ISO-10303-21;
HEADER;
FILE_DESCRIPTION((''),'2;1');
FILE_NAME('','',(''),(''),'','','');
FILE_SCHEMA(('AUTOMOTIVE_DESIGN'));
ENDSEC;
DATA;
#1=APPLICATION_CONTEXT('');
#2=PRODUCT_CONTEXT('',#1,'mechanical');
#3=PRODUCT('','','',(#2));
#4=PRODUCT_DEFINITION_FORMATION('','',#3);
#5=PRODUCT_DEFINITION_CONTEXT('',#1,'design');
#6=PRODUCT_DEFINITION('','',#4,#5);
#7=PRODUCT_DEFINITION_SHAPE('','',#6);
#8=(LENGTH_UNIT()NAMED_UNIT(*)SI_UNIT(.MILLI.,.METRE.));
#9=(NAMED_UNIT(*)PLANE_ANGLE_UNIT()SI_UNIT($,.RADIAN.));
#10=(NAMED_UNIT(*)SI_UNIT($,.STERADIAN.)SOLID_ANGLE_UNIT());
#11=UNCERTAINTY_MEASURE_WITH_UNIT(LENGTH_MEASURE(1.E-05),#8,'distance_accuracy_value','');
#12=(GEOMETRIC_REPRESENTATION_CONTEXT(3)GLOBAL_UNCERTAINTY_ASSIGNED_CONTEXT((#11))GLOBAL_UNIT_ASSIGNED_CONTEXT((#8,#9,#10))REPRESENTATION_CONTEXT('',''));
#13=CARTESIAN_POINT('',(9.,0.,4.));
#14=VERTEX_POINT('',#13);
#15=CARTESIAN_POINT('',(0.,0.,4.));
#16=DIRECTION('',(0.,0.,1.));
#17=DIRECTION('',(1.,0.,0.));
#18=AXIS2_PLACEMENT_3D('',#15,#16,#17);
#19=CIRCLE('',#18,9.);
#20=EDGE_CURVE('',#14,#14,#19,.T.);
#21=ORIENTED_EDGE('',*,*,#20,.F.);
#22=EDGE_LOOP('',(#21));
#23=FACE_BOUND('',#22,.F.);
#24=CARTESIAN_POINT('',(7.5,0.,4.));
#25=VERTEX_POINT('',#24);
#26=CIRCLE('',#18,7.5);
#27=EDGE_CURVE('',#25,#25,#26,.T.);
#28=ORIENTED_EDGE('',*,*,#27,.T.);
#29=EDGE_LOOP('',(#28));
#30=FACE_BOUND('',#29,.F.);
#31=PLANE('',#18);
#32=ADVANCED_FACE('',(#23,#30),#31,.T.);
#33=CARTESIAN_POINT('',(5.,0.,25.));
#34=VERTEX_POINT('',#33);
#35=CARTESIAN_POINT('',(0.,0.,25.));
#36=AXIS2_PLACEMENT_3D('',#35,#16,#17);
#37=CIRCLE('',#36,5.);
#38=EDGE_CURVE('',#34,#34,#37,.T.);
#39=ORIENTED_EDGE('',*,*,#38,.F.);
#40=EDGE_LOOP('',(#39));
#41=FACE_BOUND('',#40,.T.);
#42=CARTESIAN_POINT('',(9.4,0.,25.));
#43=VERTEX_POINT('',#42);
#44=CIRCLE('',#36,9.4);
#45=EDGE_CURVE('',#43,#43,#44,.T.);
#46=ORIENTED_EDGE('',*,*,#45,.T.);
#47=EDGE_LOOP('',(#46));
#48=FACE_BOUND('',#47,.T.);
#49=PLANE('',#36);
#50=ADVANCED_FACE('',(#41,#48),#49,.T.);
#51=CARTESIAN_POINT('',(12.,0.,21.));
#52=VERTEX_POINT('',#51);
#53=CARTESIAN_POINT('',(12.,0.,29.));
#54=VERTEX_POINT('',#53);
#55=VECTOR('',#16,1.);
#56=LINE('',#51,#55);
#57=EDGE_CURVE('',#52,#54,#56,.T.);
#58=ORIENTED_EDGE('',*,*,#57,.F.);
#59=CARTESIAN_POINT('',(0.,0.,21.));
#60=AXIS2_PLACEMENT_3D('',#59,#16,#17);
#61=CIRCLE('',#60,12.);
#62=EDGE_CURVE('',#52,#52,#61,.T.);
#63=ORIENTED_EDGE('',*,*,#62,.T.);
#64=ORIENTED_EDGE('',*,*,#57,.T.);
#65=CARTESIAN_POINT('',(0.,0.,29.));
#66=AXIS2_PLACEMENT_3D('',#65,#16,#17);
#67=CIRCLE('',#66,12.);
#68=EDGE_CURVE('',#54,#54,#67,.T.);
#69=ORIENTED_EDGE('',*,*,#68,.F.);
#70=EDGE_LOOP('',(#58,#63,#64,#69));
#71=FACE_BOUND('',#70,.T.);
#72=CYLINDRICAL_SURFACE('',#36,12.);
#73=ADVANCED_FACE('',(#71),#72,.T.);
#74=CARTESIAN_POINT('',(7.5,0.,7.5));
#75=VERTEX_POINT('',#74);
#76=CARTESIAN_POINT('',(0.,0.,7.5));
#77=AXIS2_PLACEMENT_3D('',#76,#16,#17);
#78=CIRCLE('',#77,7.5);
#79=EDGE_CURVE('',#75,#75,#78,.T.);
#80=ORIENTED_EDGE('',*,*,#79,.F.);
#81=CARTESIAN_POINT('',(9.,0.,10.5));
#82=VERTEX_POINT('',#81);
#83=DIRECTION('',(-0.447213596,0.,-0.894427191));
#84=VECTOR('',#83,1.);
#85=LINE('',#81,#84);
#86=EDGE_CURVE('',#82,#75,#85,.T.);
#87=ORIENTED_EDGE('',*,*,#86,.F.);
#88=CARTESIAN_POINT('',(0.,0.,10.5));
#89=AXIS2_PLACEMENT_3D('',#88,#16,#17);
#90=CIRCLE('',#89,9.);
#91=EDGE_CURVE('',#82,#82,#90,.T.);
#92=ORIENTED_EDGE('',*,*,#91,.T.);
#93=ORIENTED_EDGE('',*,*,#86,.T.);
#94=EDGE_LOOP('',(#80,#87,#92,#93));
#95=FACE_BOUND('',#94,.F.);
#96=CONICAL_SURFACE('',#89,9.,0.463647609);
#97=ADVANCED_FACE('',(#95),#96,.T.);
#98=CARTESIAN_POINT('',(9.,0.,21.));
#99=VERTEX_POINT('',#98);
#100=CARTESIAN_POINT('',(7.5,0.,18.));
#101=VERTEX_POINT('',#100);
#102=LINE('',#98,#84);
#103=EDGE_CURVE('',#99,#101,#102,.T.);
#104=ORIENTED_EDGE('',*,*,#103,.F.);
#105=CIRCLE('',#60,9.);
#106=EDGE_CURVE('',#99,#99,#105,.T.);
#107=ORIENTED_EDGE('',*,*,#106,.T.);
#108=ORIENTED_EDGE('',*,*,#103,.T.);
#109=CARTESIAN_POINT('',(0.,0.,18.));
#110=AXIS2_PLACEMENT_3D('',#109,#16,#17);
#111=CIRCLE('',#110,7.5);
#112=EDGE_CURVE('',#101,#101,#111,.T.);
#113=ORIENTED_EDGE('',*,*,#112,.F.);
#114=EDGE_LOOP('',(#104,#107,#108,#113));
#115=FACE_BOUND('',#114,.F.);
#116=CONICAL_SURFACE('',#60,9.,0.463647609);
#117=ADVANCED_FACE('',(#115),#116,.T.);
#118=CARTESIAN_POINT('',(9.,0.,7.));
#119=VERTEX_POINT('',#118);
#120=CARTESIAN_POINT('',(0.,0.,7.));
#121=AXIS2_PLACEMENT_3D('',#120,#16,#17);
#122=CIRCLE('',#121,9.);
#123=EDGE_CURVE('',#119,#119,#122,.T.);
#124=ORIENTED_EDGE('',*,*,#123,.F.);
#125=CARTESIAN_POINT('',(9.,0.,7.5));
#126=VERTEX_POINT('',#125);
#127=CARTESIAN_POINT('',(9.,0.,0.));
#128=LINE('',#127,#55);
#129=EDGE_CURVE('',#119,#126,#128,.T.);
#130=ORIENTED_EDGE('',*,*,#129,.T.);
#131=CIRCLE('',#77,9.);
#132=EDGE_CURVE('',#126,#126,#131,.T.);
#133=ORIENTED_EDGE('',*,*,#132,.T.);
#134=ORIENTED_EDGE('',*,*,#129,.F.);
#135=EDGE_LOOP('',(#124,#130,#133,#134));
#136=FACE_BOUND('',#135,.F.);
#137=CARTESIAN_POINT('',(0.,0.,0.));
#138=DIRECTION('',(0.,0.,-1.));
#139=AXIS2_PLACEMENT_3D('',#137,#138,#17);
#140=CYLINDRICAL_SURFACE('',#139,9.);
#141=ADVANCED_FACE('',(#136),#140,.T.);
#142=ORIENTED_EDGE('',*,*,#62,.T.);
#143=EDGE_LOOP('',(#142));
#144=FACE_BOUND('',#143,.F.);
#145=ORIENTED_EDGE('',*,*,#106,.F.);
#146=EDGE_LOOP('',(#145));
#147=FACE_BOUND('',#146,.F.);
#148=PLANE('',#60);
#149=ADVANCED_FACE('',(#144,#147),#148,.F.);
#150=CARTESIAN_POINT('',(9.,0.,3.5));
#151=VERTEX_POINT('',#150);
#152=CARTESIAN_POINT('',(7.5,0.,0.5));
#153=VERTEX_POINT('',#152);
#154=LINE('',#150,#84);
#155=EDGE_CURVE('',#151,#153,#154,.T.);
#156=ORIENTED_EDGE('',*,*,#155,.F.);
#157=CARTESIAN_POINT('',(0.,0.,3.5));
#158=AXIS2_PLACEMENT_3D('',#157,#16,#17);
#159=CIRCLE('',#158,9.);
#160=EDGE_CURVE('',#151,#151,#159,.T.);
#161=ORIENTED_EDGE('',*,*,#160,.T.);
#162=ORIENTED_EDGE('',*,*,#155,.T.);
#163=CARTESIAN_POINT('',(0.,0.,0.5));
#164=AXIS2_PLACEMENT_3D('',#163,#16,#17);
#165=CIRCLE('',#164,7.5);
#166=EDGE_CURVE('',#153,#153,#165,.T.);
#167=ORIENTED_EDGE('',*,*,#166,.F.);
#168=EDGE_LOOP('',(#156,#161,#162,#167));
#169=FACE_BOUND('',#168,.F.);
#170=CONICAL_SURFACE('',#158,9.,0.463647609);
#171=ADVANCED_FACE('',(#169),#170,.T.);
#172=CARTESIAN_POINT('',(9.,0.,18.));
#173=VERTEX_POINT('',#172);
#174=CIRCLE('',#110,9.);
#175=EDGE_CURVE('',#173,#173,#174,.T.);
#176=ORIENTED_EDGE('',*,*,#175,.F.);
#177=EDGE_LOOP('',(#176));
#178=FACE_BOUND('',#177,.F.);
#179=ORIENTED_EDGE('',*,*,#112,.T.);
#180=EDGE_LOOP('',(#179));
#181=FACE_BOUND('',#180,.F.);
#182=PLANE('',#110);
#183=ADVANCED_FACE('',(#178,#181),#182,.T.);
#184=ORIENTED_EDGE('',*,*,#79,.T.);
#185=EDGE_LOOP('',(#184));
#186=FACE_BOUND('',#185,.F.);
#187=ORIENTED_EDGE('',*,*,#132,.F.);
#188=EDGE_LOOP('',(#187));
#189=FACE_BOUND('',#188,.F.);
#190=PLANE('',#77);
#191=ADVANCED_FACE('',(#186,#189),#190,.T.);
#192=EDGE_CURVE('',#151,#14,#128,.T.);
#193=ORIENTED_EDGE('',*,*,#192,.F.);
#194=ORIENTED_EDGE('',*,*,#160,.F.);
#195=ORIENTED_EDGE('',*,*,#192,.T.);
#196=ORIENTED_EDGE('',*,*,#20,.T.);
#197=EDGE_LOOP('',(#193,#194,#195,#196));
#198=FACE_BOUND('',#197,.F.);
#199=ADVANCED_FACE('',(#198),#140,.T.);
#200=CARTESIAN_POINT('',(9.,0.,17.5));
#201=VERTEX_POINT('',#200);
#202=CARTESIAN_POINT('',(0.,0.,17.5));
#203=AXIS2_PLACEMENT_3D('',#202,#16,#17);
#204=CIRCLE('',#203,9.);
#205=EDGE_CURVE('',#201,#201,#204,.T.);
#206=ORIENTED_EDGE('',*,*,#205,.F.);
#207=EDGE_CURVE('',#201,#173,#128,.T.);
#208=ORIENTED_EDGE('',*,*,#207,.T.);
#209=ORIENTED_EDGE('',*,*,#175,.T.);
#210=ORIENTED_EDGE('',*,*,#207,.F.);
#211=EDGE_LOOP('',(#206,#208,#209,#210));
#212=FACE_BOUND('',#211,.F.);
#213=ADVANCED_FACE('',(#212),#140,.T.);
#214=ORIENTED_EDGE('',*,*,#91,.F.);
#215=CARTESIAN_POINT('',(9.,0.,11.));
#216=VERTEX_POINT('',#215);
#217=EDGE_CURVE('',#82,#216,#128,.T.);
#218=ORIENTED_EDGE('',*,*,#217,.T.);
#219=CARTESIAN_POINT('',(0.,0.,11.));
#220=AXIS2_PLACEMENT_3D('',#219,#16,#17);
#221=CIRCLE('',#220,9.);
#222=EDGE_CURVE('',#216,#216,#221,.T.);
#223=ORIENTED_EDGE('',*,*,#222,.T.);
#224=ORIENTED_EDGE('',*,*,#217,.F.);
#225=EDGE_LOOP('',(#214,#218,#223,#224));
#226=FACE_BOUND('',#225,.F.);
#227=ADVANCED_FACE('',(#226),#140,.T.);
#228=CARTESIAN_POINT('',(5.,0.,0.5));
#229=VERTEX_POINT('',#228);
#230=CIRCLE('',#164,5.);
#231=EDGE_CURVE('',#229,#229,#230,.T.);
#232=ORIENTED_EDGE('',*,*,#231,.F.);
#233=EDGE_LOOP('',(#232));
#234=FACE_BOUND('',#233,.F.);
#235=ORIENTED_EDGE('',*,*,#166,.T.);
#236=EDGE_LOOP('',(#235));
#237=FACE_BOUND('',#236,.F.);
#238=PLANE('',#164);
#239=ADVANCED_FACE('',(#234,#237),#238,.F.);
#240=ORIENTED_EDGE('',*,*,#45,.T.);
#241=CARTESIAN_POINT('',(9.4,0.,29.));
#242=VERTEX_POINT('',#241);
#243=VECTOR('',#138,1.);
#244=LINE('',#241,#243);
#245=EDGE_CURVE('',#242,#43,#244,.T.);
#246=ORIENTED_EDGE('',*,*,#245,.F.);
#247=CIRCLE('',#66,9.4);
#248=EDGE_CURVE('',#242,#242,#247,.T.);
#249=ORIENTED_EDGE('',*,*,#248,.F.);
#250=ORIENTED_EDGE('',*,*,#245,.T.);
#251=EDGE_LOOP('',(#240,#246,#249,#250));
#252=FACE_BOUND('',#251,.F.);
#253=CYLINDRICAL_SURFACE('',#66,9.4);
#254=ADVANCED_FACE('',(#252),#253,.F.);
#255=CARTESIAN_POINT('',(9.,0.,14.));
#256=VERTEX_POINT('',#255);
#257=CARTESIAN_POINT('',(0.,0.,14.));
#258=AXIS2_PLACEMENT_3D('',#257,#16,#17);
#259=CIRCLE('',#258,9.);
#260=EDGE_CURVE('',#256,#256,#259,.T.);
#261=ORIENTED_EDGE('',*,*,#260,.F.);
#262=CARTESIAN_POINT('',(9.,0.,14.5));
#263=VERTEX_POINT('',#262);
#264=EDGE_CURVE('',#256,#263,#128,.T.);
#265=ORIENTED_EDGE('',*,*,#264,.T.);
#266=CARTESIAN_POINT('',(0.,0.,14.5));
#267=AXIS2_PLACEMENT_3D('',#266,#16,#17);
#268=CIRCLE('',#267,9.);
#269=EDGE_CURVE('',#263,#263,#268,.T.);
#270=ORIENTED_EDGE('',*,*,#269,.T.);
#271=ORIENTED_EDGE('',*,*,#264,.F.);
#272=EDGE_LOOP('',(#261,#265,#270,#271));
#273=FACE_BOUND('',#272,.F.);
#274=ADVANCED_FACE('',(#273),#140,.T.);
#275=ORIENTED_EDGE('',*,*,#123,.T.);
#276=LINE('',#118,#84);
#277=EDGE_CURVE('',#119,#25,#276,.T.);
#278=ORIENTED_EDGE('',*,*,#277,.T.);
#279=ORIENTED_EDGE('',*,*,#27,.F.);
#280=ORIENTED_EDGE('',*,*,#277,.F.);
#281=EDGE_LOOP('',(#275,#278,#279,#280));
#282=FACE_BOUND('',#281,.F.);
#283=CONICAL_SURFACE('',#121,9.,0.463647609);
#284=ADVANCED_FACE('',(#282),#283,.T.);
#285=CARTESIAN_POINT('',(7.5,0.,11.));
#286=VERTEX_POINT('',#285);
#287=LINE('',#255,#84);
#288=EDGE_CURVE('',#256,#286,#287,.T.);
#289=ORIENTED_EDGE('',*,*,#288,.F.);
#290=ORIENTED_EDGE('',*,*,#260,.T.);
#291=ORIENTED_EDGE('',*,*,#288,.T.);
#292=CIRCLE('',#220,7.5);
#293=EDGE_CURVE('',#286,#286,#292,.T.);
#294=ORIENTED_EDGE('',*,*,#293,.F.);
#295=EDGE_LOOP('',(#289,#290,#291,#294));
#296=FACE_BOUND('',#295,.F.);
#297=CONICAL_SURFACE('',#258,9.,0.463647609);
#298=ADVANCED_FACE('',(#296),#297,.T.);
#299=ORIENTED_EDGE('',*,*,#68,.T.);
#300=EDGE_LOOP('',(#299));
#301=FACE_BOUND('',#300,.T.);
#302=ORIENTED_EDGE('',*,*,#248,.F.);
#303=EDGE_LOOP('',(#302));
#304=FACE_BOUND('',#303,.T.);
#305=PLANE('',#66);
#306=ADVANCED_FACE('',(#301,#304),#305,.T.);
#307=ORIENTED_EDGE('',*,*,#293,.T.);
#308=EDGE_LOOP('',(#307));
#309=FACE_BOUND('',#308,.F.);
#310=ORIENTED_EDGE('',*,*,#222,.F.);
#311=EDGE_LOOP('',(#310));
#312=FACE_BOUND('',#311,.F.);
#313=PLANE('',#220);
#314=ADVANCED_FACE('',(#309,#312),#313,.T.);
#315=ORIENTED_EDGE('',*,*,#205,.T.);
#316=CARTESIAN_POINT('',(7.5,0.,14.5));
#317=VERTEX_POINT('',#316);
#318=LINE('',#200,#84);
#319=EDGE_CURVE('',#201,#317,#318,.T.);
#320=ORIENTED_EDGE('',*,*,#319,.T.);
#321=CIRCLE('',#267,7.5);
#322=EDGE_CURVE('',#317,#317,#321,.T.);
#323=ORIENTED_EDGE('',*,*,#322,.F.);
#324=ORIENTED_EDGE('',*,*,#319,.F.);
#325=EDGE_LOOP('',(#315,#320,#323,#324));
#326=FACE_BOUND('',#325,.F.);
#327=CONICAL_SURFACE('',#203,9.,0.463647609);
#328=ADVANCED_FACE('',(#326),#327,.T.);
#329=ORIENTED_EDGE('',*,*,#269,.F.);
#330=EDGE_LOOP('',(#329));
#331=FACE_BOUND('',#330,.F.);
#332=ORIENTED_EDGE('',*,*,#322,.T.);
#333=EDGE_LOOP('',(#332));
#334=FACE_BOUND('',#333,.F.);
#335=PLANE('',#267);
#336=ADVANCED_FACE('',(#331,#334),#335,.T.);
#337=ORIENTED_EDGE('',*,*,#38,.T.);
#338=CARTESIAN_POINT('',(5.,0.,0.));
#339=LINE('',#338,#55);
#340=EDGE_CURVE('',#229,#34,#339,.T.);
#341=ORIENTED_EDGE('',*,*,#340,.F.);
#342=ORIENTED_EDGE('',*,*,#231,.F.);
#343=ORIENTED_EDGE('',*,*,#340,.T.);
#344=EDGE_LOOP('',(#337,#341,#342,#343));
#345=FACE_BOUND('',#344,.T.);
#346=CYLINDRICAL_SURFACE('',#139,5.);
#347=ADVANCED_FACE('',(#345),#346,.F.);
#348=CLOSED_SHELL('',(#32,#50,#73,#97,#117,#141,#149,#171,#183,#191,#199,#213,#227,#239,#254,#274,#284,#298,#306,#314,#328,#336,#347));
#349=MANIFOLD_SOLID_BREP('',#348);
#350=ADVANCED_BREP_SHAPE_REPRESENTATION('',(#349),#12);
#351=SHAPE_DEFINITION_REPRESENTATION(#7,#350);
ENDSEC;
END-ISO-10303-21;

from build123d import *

# Parameters (mm, degrees)
F0_R      = 9
F0_R_2    = 5
F1_DEPTH  = 25
F17_DEPTH = 0.5
F18_R     = 12
F18_R_2   = 9
F19_DEPTH = 4
F20_R     = 9.4
F20_R_2   = 9
F21_DEPTH = 4


with BuildPart() as f1:
    # F0 (on Top) → F1 (new body)
    with BuildSketch(Plane.XY):
        Circle(F0_R)
        Circle(F0_R_2, mode=Mode.SUBTRACT)
    extrude(amount=F1_DEPTH)

    # F15 (on Front) → F16 (revolve, cut)
    with BuildSketch(Plane.XZ):
        Polygon((9, 18), (9, 21), (7.5, 18), align=None)
        Polygon((7.5, 14.5), (9, 14.5), (9, 17.5), align=None)
        Polygon((7.5, 11), (9, 11), (9, 14), align=None)
        Polygon((7.5, 7.5), (9, 7.5), (9, 10.5), align=None)
        Polygon((7.5, 4), (9, 4), (9, 7), align=None)
        Polygon((7.5, 0.5), (9, 0.5), (9, 3.5), align=None)
    revolve(axis=Axis((0, 0, 25), (0, 0, 1)), mode=Mode.SUBTRACT)

    # F17 (cut): a face of the model
    f17_faces = [f1.faces().sort_by_distance(p)[0] for p in [
        (-8.7454415588, 0, 0),
    ]]
    extrude(f17_faces, amount=-F17_DEPTH, mode=Mode.SUBTRACT)

    # F18 (on face) → F19 (join, symmetric)
    with BuildSketch(Plane.XY.offset(25)):
        Circle(F18_R)
        Circle(F18_R_2, mode=Mode.SUBTRACT)
    extrude(amount=F19_DEPTH, both=True)

    # F20 (on face) → F21 (cut, through all)
    with BuildSketch(Plane.XY.offset(29)):
        Circle(F20_R)
        Circle(F20_R_2, mode=Mode.SUBTRACT)
    extrude(amount=-F21_DEPTH, mode=Mode.SUBTRACT)


solid = f1.part
